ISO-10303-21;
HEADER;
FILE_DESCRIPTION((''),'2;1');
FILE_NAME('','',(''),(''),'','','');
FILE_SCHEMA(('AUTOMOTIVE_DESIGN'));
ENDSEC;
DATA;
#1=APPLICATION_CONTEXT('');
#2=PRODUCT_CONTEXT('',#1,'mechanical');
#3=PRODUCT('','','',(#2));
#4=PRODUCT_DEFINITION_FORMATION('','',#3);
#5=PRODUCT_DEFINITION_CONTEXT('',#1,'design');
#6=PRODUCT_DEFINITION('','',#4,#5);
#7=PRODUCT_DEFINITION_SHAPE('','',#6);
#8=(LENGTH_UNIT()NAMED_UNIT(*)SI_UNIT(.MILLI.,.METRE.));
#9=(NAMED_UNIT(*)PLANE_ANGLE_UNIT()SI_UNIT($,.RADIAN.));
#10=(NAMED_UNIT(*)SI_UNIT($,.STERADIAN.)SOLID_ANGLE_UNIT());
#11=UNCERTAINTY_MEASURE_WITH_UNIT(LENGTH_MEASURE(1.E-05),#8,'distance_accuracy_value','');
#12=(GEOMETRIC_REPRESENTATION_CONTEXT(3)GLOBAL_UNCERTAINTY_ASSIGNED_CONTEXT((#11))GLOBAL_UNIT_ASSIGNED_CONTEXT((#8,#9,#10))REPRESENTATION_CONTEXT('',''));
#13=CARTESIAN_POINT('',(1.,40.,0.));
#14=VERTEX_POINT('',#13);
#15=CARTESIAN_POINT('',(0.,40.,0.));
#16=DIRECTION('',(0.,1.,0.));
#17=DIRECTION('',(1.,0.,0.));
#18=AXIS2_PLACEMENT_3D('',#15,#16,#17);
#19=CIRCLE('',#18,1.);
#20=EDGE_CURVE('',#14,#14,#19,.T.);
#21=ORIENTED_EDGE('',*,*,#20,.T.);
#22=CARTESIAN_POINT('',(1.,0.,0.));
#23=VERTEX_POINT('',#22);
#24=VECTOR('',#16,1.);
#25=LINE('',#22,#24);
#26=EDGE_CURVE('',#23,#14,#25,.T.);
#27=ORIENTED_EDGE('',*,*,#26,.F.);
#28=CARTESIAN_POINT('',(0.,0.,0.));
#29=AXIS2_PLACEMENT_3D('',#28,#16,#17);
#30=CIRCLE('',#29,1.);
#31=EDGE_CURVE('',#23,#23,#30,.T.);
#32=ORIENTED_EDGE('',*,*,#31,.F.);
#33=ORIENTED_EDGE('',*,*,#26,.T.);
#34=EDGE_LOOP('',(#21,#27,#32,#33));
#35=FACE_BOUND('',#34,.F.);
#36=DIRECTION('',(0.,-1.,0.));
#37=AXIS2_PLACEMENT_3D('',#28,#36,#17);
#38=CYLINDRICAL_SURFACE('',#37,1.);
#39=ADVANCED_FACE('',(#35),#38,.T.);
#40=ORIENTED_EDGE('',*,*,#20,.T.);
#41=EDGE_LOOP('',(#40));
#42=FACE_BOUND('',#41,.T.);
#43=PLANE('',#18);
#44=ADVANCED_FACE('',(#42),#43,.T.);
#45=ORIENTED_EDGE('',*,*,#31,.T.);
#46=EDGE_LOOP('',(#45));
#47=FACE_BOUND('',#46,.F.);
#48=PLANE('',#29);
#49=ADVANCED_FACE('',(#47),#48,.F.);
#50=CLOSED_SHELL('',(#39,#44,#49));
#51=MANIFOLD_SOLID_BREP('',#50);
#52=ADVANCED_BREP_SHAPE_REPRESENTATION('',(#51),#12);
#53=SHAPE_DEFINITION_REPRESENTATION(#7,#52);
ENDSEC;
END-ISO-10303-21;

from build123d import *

# Parameters (mm, degrees)
SKETCH_1_R      = 1
EXTRUDE_2_DEPTH = 40


with BuildPart() as part:
    # 草图1 → 凸台-拉伸2 (new body)
    with BuildSketch(Plane(origin=(0, 0, 0), x_dir=(1, 0, 0), z_dir=(0, 1, 0))):
        Circle(SKETCH_1_R)
    extrude(amount=EXTRUDE_2_DEPTH)


solid = part.part
